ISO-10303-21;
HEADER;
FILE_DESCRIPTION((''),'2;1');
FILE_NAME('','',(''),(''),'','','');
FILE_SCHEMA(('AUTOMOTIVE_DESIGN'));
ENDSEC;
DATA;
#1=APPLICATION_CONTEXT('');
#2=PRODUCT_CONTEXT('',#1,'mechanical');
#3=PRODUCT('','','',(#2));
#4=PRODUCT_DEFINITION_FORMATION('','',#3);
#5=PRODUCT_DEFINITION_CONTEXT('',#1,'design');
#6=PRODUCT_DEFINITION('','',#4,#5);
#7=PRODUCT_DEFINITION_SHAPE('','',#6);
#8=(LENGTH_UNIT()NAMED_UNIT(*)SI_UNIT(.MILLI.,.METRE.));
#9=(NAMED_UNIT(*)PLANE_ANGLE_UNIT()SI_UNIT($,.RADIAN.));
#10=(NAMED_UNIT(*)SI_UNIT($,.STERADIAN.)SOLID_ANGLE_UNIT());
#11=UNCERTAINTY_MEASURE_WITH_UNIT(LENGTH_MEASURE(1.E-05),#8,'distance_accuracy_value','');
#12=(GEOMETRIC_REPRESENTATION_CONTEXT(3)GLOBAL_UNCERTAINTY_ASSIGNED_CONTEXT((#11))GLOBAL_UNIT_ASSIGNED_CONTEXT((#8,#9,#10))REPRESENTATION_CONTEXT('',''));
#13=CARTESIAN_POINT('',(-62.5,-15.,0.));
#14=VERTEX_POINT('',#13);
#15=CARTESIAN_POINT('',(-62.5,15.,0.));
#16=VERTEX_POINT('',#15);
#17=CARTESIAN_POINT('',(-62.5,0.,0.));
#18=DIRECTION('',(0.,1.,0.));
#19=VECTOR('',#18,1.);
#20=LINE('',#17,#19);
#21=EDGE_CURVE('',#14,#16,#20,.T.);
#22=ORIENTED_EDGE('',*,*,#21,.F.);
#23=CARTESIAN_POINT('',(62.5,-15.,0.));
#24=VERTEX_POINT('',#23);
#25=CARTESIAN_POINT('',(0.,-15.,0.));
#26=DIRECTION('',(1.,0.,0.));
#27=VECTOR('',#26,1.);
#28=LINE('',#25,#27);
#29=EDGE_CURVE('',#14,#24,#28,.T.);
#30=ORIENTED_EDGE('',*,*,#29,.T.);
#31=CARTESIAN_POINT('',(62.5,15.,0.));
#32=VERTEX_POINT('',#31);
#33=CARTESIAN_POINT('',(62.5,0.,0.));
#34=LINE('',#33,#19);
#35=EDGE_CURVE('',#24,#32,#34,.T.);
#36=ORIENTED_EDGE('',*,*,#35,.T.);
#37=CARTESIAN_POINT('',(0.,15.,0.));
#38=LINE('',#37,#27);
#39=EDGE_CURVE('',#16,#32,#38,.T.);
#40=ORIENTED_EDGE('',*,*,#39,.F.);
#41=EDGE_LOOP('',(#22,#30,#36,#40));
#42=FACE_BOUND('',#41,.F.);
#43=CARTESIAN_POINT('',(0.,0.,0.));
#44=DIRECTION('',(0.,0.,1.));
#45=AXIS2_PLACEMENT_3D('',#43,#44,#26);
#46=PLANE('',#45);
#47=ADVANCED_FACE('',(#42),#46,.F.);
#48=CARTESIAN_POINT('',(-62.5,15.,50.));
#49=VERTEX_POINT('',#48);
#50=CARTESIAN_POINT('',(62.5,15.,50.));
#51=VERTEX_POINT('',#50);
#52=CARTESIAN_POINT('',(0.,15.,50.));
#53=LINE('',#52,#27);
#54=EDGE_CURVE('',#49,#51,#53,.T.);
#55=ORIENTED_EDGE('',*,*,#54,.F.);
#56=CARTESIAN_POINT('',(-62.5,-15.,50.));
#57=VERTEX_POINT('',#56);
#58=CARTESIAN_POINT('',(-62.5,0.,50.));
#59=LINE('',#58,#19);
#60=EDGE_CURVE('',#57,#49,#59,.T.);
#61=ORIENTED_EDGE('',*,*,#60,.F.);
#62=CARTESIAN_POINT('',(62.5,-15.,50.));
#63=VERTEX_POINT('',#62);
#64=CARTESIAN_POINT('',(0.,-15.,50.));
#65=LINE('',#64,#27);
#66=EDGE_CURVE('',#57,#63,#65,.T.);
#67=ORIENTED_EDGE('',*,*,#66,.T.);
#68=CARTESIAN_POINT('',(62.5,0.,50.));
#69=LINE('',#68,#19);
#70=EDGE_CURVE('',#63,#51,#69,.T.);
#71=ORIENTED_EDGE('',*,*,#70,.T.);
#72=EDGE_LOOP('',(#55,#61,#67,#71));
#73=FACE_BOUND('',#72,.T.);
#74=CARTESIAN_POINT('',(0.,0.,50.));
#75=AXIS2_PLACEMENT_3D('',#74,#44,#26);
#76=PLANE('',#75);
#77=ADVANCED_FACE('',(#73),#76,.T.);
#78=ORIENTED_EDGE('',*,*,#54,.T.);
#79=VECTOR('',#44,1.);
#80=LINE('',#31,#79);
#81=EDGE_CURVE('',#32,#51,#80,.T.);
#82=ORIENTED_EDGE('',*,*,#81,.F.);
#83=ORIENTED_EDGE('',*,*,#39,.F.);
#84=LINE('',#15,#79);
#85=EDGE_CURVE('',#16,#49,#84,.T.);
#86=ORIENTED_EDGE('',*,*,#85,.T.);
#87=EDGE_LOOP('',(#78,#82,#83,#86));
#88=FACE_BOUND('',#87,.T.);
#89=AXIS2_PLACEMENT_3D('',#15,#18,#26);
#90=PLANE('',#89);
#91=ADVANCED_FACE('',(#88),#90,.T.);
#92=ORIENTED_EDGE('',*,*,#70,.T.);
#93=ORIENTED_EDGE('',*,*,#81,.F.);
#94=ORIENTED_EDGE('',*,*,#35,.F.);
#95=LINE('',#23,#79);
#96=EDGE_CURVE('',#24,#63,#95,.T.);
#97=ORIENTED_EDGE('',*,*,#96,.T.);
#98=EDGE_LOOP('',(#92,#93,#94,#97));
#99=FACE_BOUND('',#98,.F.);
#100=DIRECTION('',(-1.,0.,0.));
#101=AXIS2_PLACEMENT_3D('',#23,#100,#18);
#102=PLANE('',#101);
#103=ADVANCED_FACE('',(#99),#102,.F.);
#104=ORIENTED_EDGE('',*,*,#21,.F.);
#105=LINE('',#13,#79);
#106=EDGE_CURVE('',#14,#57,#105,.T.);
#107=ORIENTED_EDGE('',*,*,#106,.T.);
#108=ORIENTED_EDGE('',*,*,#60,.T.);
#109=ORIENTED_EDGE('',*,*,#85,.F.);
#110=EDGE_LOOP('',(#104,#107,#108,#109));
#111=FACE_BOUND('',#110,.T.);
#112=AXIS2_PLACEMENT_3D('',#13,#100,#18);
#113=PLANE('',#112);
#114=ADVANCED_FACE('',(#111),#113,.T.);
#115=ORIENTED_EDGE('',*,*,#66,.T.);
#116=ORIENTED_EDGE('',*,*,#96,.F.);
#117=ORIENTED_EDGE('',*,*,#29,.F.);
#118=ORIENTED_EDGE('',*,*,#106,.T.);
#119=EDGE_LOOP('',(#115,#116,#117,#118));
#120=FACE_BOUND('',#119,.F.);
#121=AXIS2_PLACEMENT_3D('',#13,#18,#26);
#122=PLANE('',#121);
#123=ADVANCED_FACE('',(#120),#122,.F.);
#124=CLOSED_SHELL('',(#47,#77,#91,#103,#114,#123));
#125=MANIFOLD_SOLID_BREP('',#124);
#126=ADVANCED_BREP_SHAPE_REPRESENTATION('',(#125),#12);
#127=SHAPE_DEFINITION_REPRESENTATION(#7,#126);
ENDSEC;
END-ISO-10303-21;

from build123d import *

# Parameters (mm, degrees)
SKETCH_W      = 125
SKETCH_H      = 30
EXTRUDE_DEPTH = 50


with BuildPart() as part:
    # Sketch → Extrude (new body)
    with BuildSketch(Plane.XY):
        Rectangle(SKETCH_W, SKETCH_H)
    extrude(amount=EXTRUDE_DEPTH)


solid = part.part
